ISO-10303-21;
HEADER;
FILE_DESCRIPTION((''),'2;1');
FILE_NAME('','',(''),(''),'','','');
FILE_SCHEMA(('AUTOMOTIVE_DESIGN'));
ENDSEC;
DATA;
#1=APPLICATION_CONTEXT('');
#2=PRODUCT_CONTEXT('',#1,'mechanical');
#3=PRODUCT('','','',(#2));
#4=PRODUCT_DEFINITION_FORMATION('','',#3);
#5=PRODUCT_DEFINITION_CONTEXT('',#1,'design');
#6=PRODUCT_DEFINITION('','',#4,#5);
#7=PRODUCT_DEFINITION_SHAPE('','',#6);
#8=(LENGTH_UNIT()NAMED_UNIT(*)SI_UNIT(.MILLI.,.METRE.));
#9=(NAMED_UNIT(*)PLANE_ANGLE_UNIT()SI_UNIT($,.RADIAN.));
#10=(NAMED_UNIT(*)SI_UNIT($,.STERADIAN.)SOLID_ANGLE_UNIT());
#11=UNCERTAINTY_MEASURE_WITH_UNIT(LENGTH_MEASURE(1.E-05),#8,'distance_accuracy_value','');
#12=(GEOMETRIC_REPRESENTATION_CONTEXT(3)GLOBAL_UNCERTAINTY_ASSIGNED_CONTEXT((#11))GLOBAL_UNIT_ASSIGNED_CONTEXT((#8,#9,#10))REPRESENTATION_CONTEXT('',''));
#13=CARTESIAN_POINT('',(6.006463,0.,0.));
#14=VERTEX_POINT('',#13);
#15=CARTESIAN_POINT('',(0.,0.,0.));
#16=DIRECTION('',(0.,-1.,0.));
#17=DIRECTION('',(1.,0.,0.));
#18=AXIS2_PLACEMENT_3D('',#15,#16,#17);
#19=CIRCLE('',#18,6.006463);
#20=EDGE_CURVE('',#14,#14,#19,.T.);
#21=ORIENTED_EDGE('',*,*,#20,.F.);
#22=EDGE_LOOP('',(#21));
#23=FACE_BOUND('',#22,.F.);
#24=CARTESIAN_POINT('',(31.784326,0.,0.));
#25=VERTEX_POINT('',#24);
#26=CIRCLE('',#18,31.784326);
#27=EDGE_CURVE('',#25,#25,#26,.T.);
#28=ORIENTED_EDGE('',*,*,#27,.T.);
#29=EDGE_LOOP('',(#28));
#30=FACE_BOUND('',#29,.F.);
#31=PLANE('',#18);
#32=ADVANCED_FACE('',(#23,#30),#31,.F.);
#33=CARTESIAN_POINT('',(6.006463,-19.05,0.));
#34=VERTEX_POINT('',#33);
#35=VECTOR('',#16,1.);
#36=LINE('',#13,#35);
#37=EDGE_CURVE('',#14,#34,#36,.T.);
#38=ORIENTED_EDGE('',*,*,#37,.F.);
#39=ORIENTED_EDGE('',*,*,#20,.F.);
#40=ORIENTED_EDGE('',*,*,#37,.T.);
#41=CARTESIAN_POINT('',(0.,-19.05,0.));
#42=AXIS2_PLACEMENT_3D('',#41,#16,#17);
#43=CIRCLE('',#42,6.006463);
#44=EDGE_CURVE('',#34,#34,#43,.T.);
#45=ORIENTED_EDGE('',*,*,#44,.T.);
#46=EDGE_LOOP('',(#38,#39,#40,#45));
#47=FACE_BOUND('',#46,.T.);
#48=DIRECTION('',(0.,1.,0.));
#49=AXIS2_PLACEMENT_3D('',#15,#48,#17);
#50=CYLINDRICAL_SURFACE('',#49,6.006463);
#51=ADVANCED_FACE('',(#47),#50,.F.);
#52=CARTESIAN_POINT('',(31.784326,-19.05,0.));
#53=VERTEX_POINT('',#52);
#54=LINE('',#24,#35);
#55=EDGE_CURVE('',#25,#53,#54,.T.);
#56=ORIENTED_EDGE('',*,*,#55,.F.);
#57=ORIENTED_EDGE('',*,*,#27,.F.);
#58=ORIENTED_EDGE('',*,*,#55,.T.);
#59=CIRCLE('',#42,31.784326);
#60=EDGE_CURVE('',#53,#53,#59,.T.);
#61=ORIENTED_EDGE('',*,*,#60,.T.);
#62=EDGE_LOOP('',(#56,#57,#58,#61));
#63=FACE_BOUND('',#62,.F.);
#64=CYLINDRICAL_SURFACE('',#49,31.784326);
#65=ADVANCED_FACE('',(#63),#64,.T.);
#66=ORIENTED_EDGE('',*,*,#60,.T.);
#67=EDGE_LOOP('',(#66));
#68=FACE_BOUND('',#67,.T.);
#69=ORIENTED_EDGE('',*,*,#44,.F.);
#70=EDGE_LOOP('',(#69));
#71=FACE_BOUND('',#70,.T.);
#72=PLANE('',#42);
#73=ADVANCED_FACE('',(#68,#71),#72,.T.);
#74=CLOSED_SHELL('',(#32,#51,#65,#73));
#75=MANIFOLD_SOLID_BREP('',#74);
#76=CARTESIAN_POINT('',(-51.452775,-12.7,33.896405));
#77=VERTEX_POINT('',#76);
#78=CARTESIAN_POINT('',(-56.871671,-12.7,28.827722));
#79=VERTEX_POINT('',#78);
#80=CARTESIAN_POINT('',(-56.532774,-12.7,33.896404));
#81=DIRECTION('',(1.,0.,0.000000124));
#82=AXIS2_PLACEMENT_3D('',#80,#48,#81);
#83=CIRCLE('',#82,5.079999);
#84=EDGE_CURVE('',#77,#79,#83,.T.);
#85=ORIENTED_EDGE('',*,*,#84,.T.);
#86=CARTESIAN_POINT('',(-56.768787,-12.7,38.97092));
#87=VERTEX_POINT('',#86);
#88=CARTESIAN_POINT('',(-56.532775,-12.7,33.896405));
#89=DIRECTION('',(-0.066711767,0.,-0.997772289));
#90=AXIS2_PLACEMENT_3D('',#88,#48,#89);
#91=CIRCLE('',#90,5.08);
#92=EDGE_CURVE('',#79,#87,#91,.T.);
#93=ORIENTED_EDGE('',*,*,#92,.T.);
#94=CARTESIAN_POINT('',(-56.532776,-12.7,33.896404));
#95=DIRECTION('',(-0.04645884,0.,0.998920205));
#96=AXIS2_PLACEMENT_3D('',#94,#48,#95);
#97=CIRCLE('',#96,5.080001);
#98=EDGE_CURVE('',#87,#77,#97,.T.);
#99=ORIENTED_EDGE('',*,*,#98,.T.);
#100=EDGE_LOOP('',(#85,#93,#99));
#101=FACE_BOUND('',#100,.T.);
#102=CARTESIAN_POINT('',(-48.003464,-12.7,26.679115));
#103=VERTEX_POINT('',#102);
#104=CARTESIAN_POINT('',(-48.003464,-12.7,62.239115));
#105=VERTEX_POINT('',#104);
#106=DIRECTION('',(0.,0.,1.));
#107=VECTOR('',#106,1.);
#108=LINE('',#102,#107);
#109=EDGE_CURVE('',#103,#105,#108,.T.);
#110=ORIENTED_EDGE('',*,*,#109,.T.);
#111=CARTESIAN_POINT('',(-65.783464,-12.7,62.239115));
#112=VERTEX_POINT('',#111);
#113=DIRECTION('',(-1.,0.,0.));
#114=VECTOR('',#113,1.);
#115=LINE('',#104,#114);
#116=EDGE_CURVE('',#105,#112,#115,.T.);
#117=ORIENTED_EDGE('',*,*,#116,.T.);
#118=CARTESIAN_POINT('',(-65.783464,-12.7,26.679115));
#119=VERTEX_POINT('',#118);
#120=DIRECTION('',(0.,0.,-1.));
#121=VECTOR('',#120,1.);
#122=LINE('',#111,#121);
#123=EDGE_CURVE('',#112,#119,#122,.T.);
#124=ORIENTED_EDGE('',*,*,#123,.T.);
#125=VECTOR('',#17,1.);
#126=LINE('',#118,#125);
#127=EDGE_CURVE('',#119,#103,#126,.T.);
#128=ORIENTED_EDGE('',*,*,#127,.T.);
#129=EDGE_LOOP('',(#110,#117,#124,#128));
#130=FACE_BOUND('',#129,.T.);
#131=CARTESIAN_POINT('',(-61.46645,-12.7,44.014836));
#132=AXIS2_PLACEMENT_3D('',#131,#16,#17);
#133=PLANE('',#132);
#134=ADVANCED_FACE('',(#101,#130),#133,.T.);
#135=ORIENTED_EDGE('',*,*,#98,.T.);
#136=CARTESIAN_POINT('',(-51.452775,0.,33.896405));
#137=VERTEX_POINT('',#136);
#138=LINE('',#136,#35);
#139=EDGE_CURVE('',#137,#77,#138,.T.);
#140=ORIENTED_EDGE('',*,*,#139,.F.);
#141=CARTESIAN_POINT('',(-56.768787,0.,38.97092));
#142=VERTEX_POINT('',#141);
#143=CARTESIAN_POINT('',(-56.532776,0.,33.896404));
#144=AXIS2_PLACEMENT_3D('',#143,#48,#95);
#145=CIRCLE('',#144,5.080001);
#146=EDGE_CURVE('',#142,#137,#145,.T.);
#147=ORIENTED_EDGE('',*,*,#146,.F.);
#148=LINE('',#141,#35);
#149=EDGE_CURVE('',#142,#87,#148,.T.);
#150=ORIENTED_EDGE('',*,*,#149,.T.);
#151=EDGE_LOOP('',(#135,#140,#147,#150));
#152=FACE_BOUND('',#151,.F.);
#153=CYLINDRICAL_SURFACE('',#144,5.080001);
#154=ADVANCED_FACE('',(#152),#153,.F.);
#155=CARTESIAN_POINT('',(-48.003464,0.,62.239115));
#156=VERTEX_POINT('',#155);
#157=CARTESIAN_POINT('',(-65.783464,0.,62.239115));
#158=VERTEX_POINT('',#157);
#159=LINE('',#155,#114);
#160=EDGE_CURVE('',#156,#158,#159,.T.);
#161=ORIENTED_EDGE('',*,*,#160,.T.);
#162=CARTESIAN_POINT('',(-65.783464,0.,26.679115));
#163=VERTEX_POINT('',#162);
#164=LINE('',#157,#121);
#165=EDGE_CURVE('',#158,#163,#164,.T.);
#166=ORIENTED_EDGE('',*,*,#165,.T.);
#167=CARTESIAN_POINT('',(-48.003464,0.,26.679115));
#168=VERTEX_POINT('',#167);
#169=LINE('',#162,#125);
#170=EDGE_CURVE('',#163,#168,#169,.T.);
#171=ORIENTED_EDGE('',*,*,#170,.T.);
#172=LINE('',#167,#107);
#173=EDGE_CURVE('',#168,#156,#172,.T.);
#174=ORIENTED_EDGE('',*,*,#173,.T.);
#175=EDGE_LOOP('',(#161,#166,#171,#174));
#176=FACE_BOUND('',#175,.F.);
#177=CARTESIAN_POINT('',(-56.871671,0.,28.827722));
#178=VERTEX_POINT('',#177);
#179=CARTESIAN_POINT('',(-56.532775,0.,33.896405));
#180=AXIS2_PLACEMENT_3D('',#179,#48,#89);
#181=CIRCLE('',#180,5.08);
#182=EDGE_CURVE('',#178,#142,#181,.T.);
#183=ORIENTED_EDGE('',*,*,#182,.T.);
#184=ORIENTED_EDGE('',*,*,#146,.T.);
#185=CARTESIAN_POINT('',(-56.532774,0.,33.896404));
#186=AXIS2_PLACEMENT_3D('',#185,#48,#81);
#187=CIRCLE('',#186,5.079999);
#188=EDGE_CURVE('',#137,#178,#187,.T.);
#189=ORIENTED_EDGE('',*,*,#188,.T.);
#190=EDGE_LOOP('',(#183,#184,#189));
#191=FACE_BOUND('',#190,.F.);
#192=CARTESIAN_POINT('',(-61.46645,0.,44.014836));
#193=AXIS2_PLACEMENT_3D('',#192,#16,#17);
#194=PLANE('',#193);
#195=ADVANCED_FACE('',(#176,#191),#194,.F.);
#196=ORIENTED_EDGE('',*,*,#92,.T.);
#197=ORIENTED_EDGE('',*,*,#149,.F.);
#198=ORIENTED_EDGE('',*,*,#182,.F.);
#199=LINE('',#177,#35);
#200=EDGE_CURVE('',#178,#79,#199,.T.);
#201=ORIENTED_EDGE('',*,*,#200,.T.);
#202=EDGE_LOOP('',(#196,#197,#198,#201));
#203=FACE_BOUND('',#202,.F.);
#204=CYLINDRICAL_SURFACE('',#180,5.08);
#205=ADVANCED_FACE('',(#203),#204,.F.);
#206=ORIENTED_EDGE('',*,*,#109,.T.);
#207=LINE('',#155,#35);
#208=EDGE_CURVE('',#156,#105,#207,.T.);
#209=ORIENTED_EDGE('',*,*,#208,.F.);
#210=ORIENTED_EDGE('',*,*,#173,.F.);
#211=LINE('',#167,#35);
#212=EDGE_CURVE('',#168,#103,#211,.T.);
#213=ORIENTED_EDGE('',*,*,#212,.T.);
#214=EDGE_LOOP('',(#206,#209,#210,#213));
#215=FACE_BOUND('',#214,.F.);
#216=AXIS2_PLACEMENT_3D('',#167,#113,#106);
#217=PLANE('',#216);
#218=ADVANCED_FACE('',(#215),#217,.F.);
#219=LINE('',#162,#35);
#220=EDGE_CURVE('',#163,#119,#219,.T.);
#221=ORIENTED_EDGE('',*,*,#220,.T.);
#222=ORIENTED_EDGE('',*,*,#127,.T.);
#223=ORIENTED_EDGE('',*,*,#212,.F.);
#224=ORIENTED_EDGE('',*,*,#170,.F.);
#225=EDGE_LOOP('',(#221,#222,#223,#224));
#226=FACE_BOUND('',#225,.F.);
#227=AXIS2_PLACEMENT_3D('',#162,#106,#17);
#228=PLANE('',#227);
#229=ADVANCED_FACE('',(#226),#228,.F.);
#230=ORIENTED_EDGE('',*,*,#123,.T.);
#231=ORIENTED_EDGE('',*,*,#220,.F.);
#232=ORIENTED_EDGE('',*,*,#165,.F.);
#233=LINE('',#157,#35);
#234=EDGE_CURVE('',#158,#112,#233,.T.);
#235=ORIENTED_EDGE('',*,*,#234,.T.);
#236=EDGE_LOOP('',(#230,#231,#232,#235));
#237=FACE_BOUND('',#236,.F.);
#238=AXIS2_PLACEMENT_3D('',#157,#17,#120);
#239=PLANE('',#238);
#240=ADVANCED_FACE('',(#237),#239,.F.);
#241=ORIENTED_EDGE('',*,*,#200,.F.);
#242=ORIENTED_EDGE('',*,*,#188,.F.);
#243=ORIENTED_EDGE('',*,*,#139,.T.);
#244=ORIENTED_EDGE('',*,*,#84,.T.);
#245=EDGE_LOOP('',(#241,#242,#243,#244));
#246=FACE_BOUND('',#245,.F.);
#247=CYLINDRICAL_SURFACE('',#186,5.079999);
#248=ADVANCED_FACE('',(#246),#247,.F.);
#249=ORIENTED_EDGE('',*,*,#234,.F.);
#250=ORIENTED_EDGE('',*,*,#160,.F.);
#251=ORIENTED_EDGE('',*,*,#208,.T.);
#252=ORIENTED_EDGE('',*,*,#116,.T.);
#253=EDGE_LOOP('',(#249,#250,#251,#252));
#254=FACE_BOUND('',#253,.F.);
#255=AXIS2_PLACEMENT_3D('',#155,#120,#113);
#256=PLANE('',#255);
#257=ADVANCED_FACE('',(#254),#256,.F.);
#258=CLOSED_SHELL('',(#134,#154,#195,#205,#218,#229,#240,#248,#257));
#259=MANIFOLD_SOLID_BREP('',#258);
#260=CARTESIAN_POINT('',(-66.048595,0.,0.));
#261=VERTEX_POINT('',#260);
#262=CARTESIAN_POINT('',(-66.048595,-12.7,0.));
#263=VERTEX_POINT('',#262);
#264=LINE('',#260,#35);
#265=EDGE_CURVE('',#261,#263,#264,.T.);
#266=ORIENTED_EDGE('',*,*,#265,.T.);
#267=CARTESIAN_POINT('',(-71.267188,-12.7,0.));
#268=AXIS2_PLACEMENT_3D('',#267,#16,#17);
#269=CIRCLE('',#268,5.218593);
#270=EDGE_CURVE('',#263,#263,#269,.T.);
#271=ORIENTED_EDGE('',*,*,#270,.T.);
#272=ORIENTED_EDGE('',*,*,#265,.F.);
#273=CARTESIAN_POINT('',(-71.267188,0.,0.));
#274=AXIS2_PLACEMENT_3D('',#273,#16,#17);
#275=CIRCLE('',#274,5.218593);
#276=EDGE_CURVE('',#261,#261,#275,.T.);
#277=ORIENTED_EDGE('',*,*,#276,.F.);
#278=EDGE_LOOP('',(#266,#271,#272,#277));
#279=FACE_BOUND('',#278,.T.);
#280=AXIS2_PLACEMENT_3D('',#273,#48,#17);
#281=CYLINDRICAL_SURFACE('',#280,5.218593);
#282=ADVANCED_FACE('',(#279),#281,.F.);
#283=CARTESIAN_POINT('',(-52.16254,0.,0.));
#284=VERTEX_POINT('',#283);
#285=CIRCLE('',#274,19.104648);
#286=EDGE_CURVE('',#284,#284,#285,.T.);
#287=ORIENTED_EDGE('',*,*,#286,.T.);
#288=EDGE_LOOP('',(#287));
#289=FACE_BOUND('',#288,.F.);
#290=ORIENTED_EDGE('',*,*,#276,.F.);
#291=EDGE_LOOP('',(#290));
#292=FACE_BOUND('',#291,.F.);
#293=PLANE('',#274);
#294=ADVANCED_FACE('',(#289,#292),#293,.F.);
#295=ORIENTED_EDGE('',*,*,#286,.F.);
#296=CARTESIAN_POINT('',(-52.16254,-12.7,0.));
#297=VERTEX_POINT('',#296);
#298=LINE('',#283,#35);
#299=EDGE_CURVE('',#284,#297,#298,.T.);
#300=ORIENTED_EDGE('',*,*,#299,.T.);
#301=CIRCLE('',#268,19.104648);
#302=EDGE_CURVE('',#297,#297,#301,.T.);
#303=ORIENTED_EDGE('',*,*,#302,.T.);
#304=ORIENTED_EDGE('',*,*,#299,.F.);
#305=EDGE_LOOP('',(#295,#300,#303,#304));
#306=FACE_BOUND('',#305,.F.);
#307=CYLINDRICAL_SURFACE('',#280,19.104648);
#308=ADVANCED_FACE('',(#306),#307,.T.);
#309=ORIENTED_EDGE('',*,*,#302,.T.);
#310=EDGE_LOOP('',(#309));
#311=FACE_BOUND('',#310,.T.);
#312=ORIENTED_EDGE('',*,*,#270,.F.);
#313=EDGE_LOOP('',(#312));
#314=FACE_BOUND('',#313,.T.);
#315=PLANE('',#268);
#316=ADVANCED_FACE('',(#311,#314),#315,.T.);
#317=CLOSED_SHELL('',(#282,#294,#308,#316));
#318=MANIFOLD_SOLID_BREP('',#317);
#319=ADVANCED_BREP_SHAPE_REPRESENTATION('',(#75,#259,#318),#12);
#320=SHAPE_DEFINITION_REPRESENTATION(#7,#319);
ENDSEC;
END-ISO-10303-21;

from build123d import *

# Parameters (mm, degrees)
F0_R     = 31.784326
F0_R_2   = 6.006463
F1_DEPTH = 19.05
F2_R     = 19.104648
F2_R_2   = 5.218593
F3_DEPTH = 12.7
F5_DEPTH = 12.7


with BuildPart() as f1:
    # F0 (on Front) → F1 (new body)
    with BuildSketch(Plane.XZ):
        Circle(F0_R)
        Circle(F0_R_2, mode=Mode.SUBTRACT)
    extrude(amount=F1_DEPTH)


with BuildPart() as f3:
    # F2 (on Front) → F3 (new body)
    with BuildSketch(Plane.XZ):
        with Locations((-71.267188, 0)):
            Circle(F2_R)
        with Locations((-71.267188, 0)):
            Circle(F2_R_2, mode=Mode.SUBTRACT)
    extrude(amount=F3_DEPTH)


with BuildPart() as f5:
    # F4 (on Front) → F5 (new body)
    with BuildSketch(Plane.XZ):
        with BuildLine():
            Line((-56.532775, 62.239115), (-65.783464, 62.239115))
            Line((-65.783464, 62.239115), (-65.783464, 26.679115))
            Line((-65.783464, 26.679115), (-56.893464, 26.679115))
            Line((-56.893464, 26.679115), (-56.871671, 28.827722))
            ThreePointArc((-56.871671, 28.827722), (-61.612514, 33.94793), (-56.768787, 38.97092))
            Line((-56.768787, 38.97092), (-56.532775, 62.239115))
        make_face()
        with BuildLine():
            Line((-48.003464, 62.239115), (-56.532775, 62.239115))
            Line((-56.532775, 62.239115), (-56.768787, 38.97092))
            ThreePointArc((-56.768787, 38.97092), (-53.025108, 37.571003), (-51.452775, 33.896405))
            ThreePointArc((-51.452775, 33.896405), (-53.062558, 30.186419), (-56.871671, 28.827722))
            Line((-56.871671, 28.827722), (-56.893464, 26.679115))
            Line((-56.893464, 26.679115), (-48.003464, 26.679115))
            Line((-48.003464, 26.679115), (-48.003464, 62.239115))
        make_face()
    extrude(amount=F5_DEPTH)


solid = Compound([f1.part, f3.part, f5.part])
